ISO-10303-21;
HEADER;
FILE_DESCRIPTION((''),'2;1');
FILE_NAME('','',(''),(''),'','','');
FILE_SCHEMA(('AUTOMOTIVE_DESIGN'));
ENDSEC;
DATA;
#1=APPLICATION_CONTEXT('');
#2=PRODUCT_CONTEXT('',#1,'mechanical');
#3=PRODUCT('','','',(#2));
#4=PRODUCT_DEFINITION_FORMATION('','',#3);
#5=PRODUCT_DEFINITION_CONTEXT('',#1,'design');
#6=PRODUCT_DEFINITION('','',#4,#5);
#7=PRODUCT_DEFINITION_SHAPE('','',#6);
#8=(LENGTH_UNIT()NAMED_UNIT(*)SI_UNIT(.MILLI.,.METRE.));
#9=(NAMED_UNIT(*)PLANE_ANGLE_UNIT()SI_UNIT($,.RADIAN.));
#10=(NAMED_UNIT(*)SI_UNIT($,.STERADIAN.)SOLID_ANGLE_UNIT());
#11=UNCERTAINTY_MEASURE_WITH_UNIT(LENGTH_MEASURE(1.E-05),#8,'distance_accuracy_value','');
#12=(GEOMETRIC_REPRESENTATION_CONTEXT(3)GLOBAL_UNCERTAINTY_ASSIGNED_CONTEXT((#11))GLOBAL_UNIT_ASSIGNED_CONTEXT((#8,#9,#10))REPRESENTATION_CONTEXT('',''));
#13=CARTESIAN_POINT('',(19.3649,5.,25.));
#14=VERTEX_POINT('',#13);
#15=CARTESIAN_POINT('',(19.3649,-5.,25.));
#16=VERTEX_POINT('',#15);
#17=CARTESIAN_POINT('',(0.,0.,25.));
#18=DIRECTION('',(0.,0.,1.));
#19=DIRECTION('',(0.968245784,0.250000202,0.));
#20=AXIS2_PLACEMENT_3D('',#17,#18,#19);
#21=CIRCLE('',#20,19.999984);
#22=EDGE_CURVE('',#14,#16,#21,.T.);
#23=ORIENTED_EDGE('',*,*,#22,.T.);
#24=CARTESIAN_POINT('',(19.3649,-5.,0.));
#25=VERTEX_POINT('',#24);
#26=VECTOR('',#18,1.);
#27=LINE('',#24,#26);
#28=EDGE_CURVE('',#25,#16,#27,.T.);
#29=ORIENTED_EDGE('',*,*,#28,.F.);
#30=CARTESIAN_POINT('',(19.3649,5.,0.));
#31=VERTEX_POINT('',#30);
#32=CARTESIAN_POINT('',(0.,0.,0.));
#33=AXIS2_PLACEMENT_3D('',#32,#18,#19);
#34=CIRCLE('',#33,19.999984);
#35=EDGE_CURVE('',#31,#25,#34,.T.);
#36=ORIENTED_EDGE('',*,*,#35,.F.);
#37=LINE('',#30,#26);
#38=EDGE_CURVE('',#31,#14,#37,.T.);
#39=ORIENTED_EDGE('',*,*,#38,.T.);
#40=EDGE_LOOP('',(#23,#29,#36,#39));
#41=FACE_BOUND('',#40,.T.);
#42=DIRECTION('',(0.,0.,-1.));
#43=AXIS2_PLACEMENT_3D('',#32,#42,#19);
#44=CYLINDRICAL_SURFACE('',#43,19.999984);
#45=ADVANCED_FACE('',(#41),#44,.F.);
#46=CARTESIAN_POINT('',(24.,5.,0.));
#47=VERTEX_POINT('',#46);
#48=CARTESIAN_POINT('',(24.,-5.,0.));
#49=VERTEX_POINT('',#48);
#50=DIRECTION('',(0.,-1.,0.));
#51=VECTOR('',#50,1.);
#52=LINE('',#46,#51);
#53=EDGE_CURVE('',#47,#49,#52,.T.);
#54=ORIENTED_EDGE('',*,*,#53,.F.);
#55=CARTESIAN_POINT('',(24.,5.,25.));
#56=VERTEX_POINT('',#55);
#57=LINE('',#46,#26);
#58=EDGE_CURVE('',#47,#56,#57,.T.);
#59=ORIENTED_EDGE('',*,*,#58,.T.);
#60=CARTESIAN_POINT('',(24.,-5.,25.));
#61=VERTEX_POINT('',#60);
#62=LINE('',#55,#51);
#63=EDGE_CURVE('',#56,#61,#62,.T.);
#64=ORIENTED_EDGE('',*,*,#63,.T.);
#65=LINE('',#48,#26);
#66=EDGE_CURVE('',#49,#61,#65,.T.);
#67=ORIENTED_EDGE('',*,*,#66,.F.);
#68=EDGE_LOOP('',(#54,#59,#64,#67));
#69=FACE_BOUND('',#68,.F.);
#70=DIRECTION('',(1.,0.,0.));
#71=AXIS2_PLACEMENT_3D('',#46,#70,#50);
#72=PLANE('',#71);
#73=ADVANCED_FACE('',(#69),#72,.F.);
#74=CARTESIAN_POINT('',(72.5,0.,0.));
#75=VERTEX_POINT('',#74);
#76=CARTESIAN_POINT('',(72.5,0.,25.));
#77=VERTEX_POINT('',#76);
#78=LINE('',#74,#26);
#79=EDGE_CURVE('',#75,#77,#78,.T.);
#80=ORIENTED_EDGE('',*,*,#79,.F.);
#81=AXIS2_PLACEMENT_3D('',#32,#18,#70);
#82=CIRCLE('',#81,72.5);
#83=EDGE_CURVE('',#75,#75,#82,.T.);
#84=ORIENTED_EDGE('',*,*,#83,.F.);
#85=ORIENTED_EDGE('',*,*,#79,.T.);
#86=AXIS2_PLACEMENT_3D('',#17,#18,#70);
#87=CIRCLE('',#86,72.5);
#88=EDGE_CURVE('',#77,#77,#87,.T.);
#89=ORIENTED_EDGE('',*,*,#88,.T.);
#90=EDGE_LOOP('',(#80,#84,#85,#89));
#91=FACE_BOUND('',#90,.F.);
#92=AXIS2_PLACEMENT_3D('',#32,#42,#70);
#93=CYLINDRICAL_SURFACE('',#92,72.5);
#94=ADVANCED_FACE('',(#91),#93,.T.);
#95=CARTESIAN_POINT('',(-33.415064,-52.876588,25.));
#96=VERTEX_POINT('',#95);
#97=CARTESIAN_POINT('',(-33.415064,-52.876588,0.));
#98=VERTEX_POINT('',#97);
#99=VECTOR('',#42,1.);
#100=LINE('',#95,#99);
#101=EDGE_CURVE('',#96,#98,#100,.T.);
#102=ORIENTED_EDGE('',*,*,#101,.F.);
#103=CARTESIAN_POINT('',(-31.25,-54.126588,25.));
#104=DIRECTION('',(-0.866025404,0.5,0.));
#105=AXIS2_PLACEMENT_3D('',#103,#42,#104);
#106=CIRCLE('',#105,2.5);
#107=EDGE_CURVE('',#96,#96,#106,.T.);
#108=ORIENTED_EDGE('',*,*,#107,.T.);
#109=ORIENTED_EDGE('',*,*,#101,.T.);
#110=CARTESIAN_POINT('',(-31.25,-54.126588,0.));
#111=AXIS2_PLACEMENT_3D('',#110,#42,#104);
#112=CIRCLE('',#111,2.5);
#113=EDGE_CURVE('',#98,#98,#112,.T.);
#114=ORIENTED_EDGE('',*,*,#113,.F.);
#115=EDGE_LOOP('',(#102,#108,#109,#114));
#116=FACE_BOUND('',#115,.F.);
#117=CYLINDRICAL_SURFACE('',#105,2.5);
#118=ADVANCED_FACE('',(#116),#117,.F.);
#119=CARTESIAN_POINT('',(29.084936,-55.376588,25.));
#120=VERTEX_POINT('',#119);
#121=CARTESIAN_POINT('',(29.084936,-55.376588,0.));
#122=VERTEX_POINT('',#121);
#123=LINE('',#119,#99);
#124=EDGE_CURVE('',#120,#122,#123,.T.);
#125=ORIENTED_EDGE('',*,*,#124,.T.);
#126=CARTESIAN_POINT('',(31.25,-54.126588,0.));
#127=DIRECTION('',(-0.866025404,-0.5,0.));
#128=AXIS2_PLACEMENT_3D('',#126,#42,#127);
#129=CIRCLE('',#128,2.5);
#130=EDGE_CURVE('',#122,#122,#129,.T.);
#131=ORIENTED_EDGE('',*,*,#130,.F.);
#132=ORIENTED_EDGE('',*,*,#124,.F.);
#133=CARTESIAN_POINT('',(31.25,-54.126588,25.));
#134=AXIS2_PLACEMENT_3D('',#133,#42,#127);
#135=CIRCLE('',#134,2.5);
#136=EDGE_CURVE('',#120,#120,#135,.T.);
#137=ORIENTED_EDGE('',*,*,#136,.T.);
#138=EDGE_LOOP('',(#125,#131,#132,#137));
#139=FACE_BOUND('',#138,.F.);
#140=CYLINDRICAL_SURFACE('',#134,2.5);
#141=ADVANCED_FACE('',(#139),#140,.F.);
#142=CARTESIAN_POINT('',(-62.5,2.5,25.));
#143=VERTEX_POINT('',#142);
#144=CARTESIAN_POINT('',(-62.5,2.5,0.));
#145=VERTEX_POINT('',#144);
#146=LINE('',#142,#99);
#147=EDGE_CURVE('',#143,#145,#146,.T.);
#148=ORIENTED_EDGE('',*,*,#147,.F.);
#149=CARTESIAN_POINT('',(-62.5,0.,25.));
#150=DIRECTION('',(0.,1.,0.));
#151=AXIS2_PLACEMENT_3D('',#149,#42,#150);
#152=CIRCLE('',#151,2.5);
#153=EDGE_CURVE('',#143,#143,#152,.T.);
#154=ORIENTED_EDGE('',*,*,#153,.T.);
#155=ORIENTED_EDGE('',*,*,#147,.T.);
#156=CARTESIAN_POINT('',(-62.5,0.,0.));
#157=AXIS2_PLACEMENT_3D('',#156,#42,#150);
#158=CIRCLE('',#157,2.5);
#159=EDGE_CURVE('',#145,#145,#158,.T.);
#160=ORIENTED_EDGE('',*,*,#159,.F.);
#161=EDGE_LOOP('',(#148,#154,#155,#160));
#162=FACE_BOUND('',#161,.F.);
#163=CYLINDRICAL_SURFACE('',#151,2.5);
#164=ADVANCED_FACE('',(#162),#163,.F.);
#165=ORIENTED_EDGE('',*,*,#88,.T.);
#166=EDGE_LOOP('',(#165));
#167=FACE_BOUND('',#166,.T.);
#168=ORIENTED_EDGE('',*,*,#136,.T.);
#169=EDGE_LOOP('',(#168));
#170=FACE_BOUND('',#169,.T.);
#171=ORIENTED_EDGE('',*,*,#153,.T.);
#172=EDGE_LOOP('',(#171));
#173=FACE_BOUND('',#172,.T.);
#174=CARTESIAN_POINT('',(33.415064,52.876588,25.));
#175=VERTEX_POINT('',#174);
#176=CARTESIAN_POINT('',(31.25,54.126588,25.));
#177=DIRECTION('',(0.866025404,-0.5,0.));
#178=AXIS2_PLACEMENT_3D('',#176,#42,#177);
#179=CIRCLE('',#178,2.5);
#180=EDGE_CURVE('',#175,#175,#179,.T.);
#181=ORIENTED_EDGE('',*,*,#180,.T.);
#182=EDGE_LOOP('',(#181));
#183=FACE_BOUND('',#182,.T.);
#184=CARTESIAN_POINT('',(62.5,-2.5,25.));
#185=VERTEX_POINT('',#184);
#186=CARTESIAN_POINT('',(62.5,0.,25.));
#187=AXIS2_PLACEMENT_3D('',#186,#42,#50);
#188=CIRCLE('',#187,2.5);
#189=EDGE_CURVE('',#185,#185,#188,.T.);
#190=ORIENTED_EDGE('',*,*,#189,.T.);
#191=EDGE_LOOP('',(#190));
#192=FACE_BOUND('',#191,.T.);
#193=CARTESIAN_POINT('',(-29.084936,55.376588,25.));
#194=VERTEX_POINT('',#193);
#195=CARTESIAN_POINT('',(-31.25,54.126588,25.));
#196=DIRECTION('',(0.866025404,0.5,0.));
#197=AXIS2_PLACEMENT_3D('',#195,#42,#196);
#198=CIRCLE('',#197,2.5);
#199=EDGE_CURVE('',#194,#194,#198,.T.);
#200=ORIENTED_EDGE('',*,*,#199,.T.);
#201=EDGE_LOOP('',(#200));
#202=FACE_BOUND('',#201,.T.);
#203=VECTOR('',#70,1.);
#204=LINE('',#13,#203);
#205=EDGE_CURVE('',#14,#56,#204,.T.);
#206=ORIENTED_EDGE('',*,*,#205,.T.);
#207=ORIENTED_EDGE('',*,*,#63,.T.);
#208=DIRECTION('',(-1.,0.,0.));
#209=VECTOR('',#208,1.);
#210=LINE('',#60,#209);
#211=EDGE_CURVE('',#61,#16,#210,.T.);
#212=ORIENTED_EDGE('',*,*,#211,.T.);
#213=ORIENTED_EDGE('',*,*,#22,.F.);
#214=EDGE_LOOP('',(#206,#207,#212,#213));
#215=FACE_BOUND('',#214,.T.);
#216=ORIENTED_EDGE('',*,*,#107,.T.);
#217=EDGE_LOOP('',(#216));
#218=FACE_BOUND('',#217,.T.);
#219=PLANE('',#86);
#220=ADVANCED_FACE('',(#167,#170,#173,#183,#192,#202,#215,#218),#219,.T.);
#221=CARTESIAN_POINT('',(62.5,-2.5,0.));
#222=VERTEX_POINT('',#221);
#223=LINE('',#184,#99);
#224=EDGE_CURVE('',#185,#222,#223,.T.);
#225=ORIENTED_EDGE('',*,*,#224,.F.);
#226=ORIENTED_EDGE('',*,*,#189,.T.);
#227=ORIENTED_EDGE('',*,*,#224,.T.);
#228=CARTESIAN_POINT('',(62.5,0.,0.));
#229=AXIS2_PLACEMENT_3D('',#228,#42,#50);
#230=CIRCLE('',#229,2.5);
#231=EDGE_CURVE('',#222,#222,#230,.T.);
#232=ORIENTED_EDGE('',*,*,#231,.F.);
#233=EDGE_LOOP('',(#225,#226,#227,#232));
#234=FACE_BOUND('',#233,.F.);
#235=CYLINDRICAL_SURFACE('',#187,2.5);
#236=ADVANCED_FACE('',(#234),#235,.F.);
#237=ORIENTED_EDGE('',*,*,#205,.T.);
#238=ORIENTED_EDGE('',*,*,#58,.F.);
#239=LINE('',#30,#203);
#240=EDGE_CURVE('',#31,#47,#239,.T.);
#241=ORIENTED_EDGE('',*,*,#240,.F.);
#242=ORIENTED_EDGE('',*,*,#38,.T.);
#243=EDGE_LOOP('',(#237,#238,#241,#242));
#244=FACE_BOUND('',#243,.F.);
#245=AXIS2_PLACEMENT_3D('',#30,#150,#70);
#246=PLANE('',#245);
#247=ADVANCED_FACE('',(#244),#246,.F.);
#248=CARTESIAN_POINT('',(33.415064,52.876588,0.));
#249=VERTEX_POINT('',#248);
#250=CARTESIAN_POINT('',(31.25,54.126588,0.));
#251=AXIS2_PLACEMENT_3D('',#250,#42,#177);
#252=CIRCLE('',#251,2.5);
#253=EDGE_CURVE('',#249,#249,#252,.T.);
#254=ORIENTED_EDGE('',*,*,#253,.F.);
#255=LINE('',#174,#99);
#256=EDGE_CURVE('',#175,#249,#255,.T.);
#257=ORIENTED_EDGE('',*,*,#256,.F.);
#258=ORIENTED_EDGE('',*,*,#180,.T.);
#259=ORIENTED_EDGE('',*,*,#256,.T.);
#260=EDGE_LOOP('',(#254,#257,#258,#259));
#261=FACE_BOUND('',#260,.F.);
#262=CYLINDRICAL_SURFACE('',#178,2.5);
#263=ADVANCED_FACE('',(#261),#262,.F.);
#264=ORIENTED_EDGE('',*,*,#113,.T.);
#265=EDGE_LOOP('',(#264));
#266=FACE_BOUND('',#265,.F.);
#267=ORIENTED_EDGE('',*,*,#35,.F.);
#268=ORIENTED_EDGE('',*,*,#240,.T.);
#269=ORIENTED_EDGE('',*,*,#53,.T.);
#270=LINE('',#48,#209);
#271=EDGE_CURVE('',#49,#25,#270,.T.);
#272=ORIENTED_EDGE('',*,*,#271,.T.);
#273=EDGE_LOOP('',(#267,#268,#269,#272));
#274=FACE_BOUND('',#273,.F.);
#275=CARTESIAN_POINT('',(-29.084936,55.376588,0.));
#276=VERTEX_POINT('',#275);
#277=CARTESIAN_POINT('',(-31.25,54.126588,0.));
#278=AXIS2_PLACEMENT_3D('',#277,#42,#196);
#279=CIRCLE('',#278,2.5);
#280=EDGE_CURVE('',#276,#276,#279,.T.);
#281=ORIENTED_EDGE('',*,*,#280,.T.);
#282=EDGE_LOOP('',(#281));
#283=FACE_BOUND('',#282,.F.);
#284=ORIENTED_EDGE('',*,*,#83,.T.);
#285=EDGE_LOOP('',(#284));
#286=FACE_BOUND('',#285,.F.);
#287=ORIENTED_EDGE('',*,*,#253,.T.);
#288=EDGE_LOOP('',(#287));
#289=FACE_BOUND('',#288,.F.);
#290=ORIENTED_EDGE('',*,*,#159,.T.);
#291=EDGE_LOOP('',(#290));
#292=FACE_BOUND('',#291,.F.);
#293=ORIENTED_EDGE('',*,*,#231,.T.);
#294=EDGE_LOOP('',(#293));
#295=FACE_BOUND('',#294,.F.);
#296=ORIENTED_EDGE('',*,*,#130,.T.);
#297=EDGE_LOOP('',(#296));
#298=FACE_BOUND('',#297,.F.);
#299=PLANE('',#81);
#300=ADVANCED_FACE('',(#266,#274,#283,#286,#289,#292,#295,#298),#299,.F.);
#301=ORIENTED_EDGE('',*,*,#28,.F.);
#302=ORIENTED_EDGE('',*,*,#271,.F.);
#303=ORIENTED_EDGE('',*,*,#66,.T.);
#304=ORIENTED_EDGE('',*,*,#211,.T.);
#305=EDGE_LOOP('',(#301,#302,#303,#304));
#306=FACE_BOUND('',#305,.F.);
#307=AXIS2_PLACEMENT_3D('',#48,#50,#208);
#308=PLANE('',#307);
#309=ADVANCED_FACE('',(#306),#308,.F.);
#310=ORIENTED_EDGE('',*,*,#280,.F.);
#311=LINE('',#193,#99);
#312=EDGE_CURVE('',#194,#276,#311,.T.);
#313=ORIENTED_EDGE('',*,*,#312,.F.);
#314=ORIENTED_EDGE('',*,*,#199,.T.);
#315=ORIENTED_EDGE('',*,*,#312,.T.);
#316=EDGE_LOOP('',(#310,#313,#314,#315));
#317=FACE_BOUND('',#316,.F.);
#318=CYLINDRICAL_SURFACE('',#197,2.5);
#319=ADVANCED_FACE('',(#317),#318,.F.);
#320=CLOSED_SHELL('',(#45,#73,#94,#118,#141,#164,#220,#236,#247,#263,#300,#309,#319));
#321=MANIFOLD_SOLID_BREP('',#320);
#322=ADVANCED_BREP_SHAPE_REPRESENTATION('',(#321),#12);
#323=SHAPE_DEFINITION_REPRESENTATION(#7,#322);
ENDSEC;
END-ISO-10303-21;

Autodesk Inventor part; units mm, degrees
ref_plane "YZ Plane" through (0, 0, 0) normal (1, 0, 0) x (0, 1, 0)
ref_plane "XZ Plane" through (0, 0, 0) normal (0, 1, 0) x (-1, 0, 0)
ref_plane "XY Plane" through (0, 0, 0) normal (0, 0, 1) x (1, 0, 0)
ref_plane "Płaszczyzna konstrukcyjna1" through (0, 0, 0) normal (0, 0, 1) x (1, 0, 0)
sketch "Szkic1" plane through (0, 0, 0) normal (0, 0, 1) x (1, 0, 0)
  circle A0 centre (0, 0) radius 72.5 projected
  circle A1 centre (0, 0) radius 35.3971 projected
  arc A2 (19.3649, 5) -> (19.3649, -5) centre (0, 0) ccw projected
  line L0 (24, 5) -> (24, -5) projected
  line L1 (24, -5) -> (19.3649, -5) projected
  line L2 (19.3649, 5) -> (24, 5) projected
extrude "Wyciągnięcie proste1" add sketch "Szkic1" along normal blind 25 contours A0 | A1
sketch "Szkic2" plane through (0, 0, 25) normal (0, 0, 1) x (1, 0, 0)
  circle A0 centre (62.5, 0) radius 2.4585 projected
  point P0 (0, 0)
hole "Otwór1" at (62.5, 0, 25) direction (0, 0, -1) diameter 5 end through all
pattern_circular "Szyk kołowy1" count 6 over 360 about axis through (0, 0, -10) along (0, 0, 1) of "Otwór1"
properties material "Stal nierdzewna"
